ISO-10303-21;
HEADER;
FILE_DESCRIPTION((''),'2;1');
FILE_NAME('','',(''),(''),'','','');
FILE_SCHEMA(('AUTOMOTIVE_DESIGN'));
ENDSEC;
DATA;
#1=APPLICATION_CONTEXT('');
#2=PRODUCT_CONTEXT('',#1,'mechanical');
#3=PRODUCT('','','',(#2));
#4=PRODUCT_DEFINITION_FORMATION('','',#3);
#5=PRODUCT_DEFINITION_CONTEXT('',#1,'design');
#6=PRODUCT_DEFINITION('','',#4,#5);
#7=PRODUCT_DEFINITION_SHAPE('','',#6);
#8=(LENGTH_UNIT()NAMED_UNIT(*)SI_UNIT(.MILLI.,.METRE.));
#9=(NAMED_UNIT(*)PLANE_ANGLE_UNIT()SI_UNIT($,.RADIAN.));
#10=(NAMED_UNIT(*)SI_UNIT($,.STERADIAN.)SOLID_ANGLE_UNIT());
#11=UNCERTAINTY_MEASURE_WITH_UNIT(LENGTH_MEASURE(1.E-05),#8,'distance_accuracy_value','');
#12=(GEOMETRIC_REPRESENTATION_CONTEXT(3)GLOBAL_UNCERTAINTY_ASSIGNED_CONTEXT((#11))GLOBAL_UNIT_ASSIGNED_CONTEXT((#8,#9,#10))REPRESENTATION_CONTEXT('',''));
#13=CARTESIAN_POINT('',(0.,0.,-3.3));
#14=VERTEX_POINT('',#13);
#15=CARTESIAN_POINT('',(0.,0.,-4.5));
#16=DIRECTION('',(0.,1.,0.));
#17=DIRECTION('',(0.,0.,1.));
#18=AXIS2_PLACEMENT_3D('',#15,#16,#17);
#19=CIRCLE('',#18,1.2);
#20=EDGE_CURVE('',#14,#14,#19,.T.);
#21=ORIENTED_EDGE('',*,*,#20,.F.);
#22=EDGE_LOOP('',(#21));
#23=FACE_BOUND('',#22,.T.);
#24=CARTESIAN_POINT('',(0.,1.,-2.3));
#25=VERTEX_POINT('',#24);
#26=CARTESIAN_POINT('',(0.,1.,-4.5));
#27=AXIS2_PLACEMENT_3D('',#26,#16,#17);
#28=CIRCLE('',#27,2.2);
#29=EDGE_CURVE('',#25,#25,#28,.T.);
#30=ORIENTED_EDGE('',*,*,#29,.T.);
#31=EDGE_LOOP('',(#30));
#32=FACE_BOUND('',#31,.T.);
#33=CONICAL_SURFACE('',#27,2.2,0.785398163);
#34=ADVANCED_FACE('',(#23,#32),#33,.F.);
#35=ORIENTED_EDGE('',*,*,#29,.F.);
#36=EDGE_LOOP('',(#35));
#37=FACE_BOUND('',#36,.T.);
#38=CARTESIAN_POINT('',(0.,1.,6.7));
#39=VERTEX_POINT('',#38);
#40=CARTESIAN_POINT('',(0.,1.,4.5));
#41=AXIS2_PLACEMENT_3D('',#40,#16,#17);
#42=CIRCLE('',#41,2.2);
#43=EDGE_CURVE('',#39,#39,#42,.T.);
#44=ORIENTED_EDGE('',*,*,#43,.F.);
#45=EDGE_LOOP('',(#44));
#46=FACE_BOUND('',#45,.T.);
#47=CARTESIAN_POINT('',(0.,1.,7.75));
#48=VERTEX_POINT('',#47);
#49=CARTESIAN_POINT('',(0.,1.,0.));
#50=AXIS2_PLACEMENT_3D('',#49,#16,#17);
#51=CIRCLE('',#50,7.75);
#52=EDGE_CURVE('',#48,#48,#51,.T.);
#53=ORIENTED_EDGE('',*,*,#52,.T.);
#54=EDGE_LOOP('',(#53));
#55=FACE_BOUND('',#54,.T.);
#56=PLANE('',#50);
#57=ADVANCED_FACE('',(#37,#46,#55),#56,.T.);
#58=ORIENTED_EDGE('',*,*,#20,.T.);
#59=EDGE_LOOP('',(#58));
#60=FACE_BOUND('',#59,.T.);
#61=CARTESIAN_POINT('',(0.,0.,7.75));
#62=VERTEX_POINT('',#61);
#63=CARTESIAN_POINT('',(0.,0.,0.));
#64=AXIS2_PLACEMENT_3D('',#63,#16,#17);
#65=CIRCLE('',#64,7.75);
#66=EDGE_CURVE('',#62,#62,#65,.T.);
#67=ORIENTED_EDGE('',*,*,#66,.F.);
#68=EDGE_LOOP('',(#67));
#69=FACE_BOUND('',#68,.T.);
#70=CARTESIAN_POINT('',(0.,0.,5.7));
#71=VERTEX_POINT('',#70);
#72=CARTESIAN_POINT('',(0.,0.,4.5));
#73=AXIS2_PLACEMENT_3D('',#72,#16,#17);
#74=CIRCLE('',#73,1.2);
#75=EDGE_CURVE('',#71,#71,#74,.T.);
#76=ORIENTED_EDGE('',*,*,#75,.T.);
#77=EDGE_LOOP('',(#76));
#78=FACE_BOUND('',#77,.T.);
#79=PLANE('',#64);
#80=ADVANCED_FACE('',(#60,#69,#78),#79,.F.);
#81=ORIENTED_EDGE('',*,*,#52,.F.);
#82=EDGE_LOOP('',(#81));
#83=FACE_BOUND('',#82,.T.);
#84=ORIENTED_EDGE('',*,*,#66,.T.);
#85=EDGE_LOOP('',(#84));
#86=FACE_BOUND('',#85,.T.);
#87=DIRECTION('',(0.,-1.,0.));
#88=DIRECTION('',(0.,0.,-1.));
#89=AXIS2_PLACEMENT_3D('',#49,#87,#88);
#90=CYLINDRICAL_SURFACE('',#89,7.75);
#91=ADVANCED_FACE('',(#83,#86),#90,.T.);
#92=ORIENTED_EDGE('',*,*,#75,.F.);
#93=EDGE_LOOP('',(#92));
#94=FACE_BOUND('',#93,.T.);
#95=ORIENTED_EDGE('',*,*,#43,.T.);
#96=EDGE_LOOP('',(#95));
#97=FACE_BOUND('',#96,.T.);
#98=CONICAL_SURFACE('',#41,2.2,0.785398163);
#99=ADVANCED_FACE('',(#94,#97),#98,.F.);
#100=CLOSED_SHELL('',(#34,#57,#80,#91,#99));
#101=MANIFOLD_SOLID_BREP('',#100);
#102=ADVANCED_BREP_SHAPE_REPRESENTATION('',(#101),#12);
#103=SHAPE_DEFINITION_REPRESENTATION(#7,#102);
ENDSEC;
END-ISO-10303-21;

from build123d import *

# Parameters (mm, degrees)
SKETCH1_R                                       = 7.75
BOSS_EXTRUDE1_DEPTH                             = 1
CSK_FOR_M2_FLAT_HEAD_MACHINE_SCREW3_D           = 2.4
CSK_FOR_M2_FLAT_HEAD_MACHINE_SCREW3_DEPTH       = 2
CSK_FOR_M2_FLAT_HEAD_MACHINE_SCREW3_CSINK_D     = 4.4
CSK_FOR_M2_FLAT_HEAD_MACHINE_SCREW3_CSINK_ANGLE = 90
CSK_FOR_M2_FLAT_HEAD_MACHINE_SCREW3_TIP         = 0.721032743


with BuildPart() as part:
    # Sketch1 → Boss-Extrude1 (new body)
    with BuildSketch(Plane(origin=(0, 0, 0), x_dir=(1, 0, 0), z_dir=(0, 1, 0))):
        with Locations(Location((0, 0, 0), (0, 0, 270))):
            Circle(SKETCH1_R)
    extrude(amount=BOSS_EXTRUDE1_DEPTH)

    # CSK for M2 Flat Head Machine Screw3
    with Locations(Plane(origin=(0, 1, 4.5), x_dir=(0, 0, 1), z_dir=(0, 1, 0))):
        with Locations((0, 0), (-9, 0)):
            CounterSinkHole(CSK_FOR_M2_FLAT_HEAD_MACHINE_SCREW3_D / 2, CSK_FOR_M2_FLAT_HEAD_MACHINE_SCREW3_CSINK_D / 2, depth=CSK_FOR_M2_FLAT_HEAD_MACHINE_SCREW3_DEPTH, counter_sink_angle=CSK_FOR_M2_FLAT_HEAD_MACHINE_SCREW3_CSINK_ANGLE)
            with Locations((0, 0, -(CSK_FOR_M2_FLAT_HEAD_MACHINE_SCREW3_DEPTH + CSK_FOR_M2_FLAT_HEAD_MACHINE_SCREW3_TIP / 2))):  # 118° drill point
                Cone(0, CSK_FOR_M2_FLAT_HEAD_MACHINE_SCREW3_D / 2, CSK_FOR_M2_FLAT_HEAD_MACHINE_SCREW3_TIP, mode=Mode.SUBTRACT)


solid = part.part
